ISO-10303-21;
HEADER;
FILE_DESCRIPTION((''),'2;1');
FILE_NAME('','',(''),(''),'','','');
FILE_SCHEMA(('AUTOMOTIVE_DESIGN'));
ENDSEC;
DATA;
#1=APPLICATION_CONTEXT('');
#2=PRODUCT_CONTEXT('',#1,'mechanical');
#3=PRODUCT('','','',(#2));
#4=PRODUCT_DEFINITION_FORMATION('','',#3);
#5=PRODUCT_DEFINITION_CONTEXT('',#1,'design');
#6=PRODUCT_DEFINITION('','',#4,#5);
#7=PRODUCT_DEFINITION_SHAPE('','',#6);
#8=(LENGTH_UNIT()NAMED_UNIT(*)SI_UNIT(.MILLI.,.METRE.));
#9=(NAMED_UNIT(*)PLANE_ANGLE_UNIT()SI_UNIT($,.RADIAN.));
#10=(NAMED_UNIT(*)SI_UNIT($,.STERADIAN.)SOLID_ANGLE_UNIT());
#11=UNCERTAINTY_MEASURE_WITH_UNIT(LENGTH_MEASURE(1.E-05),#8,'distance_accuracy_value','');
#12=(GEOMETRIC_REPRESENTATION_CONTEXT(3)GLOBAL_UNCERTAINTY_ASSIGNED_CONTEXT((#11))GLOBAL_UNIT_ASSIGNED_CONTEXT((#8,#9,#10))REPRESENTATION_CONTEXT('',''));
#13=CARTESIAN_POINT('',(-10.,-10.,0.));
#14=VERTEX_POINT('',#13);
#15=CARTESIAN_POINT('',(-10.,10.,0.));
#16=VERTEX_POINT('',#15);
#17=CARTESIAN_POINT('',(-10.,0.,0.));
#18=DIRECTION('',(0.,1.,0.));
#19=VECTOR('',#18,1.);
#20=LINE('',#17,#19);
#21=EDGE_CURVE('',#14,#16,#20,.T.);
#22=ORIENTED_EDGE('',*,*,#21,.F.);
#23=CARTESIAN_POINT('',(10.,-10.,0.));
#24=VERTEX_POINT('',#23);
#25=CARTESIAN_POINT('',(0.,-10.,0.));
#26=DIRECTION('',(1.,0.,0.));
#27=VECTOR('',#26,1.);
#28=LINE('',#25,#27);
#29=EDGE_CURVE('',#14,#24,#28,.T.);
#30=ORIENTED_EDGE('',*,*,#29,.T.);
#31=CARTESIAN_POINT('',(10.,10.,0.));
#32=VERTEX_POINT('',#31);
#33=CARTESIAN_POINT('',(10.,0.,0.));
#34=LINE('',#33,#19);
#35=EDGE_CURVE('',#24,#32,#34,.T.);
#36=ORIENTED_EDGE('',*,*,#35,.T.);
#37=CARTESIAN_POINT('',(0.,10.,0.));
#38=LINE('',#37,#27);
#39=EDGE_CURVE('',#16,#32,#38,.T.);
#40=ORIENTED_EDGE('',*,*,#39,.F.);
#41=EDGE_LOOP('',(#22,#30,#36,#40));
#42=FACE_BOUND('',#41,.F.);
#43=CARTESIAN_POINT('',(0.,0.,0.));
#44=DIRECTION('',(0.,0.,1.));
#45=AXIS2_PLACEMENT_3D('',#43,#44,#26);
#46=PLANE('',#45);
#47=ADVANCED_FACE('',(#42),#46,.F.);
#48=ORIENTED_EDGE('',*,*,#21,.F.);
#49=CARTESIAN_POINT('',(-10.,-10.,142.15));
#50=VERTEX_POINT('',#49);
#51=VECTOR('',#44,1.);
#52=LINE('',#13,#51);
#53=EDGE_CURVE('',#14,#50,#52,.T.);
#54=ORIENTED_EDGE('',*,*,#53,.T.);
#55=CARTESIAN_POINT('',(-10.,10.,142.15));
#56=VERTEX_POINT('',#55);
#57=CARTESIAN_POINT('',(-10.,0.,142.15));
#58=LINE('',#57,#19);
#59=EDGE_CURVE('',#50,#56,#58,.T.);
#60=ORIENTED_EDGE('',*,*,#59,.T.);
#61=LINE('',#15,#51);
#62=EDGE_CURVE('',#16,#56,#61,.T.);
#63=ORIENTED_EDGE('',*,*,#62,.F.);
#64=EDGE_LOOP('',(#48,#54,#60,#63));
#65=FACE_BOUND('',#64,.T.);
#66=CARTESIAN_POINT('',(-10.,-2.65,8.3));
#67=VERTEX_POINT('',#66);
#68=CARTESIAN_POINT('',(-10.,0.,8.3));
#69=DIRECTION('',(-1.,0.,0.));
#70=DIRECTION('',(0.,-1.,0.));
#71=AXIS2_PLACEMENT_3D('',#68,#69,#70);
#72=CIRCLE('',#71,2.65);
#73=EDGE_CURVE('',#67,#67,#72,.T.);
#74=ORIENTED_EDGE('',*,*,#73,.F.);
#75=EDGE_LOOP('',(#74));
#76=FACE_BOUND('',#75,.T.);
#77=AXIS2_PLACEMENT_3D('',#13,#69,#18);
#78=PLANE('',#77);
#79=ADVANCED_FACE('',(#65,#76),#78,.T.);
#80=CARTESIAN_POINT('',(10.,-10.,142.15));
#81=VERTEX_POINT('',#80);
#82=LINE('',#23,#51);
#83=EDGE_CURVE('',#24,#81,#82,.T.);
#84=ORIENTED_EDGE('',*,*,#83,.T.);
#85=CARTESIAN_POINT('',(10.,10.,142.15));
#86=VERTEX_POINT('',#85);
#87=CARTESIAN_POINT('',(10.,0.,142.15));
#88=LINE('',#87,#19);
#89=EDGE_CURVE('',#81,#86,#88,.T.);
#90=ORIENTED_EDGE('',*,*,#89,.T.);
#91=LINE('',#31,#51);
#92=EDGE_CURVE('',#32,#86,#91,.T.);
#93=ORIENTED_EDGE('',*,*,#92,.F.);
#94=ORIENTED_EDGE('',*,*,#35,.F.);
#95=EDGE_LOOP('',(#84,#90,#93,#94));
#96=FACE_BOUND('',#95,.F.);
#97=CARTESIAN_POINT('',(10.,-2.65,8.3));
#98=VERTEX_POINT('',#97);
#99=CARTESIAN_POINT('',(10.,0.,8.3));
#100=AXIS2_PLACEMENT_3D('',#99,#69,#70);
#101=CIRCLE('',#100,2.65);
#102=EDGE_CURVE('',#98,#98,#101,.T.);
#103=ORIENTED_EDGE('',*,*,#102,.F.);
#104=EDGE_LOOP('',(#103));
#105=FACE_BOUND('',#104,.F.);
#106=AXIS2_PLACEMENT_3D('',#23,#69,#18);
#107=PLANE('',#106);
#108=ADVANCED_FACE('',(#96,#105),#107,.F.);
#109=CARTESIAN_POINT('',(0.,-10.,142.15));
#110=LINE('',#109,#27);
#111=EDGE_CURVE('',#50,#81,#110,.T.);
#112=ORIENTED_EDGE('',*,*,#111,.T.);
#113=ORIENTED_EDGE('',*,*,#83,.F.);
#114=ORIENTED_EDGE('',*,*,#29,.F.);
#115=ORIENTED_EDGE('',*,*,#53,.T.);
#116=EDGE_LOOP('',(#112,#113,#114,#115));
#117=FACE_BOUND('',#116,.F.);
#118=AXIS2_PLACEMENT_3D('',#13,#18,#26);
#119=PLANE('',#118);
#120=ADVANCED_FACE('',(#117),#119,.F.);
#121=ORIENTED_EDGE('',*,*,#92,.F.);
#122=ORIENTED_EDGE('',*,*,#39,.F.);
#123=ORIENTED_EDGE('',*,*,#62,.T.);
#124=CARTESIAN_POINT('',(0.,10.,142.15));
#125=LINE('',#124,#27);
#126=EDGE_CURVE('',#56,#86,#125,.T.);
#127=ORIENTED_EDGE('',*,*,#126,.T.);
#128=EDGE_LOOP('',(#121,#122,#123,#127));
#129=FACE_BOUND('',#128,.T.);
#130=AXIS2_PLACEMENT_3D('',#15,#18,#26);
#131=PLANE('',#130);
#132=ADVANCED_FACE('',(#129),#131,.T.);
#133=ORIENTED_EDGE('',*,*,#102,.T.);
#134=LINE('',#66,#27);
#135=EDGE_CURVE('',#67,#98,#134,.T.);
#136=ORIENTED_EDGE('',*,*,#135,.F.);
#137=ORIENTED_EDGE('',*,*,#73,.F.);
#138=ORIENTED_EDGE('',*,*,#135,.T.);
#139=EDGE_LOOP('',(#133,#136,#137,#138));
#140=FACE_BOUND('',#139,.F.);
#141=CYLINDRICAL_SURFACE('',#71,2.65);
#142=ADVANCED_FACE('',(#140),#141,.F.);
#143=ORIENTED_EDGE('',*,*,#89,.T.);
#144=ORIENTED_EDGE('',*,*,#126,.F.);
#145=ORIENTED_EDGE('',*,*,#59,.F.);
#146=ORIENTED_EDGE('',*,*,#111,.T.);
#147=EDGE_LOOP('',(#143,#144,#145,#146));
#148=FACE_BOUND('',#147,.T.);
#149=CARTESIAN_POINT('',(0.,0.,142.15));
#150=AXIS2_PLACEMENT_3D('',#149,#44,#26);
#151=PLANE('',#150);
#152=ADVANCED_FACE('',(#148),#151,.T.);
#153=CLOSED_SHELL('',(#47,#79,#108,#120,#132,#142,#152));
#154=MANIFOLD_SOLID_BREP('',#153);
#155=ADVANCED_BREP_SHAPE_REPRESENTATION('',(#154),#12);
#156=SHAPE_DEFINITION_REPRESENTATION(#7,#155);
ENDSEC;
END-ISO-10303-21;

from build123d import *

# Parameters (mm, degrees)
F0_W     = 20
F0_H     = 20
F1_DEPTH = 142.15
F3_R     = 2.65
F4_DEPTH = 20.001


with BuildPart() as f1:
    # F0 (on Top) → F1 (new body)
    with BuildSketch(Plane.XY):
        Rectangle(F0_W, F0_H)
    extrude(amount=F1_DEPTH)

    # F3 (on face) → F4 (cut, through all)
    with BuildSketch(Plane(origin=(-10, 0, 0), x_dir=(0, -1, 0), z_dir=(-1, 0, 0))):
        with Locations((0, 8.3)):
            Circle(F3_R)
    extrude(amount=-F4_DEPTH, mode=Mode.SUBTRACT)


solid = f1.part
